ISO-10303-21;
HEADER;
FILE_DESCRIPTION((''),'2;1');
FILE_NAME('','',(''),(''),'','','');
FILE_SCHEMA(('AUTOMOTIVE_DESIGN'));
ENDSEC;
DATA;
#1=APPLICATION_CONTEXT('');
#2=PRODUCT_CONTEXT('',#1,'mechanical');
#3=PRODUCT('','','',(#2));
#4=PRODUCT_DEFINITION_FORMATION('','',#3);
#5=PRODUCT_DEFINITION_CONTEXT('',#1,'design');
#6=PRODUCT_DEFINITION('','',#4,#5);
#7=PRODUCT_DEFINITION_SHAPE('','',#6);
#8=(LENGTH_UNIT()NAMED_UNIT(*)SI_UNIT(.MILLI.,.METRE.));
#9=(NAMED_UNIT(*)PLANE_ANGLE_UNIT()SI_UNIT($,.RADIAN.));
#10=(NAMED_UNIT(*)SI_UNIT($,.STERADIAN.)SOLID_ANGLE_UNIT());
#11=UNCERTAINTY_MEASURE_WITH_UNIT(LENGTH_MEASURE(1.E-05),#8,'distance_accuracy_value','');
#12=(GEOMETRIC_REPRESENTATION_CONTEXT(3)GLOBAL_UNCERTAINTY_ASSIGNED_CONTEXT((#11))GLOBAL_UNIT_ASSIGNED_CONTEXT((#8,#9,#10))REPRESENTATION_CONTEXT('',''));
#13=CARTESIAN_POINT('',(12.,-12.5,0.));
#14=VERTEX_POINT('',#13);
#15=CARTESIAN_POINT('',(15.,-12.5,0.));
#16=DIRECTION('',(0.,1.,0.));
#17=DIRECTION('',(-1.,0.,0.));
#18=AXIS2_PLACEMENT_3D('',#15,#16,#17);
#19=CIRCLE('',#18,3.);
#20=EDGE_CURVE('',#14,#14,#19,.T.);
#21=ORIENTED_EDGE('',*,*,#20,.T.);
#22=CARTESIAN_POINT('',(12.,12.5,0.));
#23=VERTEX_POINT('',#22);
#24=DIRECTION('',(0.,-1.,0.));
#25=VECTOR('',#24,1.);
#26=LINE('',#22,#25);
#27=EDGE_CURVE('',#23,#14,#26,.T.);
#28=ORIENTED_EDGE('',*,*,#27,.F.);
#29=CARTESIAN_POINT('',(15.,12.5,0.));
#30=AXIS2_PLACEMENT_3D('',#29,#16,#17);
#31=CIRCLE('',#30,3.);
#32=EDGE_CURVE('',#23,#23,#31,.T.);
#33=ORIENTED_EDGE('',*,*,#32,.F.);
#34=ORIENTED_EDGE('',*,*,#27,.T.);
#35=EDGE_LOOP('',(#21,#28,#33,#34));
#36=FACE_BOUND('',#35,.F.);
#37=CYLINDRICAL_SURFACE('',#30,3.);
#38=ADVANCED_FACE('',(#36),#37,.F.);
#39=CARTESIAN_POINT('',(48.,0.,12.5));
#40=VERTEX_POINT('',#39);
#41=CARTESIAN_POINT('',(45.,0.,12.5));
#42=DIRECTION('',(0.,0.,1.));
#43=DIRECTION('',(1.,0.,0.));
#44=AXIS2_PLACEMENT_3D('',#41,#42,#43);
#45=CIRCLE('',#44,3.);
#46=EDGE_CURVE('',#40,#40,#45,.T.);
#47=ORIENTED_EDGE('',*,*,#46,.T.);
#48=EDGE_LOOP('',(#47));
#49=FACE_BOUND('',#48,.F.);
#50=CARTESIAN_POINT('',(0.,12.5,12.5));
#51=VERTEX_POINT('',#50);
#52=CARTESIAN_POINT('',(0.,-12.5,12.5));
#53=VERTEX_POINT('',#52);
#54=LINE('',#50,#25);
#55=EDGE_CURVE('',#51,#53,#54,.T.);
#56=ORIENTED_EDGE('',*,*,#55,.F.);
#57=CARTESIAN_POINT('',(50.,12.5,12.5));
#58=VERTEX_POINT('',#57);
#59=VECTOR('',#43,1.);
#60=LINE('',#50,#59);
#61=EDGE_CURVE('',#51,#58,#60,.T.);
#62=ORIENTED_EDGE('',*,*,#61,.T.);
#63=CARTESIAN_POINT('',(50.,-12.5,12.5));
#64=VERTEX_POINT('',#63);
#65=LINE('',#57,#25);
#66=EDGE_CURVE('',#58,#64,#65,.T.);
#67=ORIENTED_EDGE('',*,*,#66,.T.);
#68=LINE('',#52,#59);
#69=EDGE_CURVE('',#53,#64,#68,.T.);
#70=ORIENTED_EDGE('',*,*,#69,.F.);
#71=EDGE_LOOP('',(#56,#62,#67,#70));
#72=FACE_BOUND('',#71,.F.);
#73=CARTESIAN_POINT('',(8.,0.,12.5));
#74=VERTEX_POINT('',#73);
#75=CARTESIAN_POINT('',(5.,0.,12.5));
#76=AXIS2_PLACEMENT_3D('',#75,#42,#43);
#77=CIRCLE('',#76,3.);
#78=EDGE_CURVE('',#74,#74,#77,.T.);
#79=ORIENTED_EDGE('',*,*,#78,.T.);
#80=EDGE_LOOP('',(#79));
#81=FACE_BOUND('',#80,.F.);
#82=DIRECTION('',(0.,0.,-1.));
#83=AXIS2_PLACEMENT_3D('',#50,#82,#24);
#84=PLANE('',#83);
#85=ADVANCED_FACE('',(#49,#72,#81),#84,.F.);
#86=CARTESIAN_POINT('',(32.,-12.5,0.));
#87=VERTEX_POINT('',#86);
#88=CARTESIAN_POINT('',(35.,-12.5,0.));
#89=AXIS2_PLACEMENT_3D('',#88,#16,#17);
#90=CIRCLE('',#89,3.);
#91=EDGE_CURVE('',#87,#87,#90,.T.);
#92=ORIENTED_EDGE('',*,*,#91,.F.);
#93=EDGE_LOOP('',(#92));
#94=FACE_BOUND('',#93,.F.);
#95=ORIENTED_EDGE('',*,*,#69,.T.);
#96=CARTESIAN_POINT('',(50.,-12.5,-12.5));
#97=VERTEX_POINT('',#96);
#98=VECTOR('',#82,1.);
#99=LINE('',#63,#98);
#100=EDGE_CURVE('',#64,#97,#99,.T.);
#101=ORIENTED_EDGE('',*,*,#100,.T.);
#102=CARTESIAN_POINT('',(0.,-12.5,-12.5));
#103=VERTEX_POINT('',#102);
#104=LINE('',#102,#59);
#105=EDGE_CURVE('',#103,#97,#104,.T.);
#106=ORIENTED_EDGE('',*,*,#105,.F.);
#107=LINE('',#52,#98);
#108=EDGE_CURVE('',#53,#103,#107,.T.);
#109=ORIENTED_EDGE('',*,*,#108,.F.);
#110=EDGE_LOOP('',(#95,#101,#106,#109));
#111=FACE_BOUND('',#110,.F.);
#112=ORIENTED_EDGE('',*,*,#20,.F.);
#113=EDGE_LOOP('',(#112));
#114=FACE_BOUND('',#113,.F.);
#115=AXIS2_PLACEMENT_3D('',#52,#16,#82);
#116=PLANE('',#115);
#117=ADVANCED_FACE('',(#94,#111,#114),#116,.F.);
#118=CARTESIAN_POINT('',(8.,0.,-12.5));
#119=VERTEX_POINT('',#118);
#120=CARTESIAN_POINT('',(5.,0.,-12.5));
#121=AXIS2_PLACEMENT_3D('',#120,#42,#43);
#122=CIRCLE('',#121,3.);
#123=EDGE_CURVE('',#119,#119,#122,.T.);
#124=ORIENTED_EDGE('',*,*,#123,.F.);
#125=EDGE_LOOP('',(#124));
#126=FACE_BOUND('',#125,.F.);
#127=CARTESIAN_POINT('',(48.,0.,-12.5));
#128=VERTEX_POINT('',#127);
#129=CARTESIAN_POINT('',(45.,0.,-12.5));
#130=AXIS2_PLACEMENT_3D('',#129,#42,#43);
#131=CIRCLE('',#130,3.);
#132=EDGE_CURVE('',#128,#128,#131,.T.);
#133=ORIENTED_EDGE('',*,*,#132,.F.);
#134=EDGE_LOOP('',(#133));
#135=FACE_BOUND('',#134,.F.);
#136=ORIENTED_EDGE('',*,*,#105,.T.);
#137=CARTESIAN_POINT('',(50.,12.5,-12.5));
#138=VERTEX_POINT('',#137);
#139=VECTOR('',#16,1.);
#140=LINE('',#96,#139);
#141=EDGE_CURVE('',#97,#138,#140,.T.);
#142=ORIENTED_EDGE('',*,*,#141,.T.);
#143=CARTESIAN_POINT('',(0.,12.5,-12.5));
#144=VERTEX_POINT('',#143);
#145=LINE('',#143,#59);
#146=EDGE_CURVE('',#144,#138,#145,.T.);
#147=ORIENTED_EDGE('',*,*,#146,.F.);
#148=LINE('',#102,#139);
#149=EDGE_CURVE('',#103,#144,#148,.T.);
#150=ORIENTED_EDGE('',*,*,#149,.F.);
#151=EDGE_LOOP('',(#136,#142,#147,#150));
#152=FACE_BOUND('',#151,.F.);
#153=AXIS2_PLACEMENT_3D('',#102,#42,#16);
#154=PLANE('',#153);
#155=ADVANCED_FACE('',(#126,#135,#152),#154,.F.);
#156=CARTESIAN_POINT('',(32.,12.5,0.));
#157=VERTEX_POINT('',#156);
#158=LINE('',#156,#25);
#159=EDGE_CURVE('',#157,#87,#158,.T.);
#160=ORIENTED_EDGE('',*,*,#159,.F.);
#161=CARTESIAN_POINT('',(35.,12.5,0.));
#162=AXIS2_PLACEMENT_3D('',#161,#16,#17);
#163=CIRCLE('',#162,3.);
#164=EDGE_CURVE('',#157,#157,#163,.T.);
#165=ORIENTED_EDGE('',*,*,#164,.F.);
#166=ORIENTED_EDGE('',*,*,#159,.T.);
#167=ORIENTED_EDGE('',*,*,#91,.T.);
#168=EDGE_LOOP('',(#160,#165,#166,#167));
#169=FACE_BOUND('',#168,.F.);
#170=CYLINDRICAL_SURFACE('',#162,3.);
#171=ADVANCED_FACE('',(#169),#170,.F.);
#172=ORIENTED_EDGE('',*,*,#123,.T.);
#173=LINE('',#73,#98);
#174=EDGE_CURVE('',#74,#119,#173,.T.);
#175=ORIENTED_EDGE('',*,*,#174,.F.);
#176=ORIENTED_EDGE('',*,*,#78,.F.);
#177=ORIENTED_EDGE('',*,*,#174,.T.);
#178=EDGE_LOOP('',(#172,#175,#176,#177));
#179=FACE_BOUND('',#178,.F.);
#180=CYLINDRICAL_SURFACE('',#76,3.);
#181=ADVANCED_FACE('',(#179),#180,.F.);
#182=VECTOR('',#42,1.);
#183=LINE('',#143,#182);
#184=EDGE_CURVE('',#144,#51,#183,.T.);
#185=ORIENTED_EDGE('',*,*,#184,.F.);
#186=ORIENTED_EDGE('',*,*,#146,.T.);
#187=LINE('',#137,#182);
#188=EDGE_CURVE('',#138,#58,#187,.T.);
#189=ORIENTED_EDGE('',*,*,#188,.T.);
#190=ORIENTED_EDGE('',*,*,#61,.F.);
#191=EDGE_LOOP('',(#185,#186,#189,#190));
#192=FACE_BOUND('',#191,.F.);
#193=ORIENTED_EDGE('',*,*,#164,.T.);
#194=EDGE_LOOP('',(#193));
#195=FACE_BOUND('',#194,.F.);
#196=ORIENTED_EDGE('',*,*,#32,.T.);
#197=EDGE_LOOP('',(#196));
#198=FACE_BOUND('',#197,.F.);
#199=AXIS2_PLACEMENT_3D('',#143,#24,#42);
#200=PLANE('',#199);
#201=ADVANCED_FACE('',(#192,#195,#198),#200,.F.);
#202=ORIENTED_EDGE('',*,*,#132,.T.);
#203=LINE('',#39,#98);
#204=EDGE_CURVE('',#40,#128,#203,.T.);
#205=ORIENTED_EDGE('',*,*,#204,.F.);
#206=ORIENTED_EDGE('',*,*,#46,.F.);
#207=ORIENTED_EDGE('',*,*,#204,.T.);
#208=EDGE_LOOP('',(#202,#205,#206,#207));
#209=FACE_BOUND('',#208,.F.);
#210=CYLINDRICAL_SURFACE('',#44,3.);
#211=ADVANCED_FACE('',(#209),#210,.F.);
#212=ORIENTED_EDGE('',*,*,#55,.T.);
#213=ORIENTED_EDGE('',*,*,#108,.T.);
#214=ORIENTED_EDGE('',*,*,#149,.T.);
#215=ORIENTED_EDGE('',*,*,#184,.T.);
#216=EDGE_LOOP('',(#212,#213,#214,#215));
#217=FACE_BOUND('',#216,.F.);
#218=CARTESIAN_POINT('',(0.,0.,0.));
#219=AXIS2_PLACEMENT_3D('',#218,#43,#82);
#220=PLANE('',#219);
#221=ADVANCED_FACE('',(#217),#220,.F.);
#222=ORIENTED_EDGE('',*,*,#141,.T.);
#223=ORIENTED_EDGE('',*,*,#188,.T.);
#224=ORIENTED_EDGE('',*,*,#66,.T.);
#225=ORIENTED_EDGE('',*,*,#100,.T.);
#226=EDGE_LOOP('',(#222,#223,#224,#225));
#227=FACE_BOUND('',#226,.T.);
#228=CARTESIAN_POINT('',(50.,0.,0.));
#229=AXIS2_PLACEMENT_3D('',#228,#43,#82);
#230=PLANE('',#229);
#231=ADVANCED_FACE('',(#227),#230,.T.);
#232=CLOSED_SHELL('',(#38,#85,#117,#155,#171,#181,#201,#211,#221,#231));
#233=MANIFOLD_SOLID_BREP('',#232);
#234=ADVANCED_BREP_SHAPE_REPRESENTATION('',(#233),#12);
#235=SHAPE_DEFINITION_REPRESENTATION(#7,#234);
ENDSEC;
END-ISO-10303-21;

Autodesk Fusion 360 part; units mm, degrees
sketch "Sketch1" plane through (0, 0, 0) normal (1, 0, 0) x (0, 0, -1)
  line L0 (12.5, 12.5) -> (-12.5, 12.5)
  line L1 (-12.5, 12.5) -> (-12.5, -12.5)
  line L2 (-12.5, -12.5) -> (12.5, -12.5)
  line L3 (12.5, -12.5) -> (12.5, 12.5)
  line L4 (12.5, 12.5) -> (-12.5, -12.5) construction
  line L5 (-12.5, 12.5) -> (12.5, -12.5) construction
  dimension "d1" = 25
  dimension "d2" = 25
extrude "Extrude1" add sketch "Sketch1" along normal blind 50
sketch "Sketch2" plane through (0, 0, 12.5) normal (0, 0, 1) x (1, 0, 0)
  line L0 (0, 12.5) -> (0, -12.5)
  line L1 (0, -12.5) -> (50, -12.5)
  line L2 (50, -12.5) -> (50, 12.5)
  line L3 (50, 12.5) -> (0, 12.5)
  circle A0 centre (5, 0) radius 3
  line L4 (25, 12.5) -> (25, -12.5) construction
  circle A1 centre (45, 0) radius 3
  dimension "d5" = 6
  dimension "d8" = 20
sketch "Sketch3" plane through (0, 12.5, 0) normal (0, 1, 0) x (-1, 0, 0)
  line L0 (0, -12.5) -> (0, 12.5)
  line L1 (0, 12.5) -> (-50, 12.5)
  line L2 (-50, 12.5) -> (-50, -12.5)
  line L3 (-50, -12.5) -> (0, -12.5)
  line L4 (-25, -12.5) -> (-25, 12.5) construction
  circle A0 centre (-15, 0) radius 3
  circle A1 centre (-35, 0) radius 3
  dimension "d9" = 6
  dimension "d10" = 10
extrude "Extrude2" cut sketch "Sketch3" against normal through all contours A0 | A1
extrude "Extrude3" cut sketch "Sketch2" against normal through all contours A0 | A1
